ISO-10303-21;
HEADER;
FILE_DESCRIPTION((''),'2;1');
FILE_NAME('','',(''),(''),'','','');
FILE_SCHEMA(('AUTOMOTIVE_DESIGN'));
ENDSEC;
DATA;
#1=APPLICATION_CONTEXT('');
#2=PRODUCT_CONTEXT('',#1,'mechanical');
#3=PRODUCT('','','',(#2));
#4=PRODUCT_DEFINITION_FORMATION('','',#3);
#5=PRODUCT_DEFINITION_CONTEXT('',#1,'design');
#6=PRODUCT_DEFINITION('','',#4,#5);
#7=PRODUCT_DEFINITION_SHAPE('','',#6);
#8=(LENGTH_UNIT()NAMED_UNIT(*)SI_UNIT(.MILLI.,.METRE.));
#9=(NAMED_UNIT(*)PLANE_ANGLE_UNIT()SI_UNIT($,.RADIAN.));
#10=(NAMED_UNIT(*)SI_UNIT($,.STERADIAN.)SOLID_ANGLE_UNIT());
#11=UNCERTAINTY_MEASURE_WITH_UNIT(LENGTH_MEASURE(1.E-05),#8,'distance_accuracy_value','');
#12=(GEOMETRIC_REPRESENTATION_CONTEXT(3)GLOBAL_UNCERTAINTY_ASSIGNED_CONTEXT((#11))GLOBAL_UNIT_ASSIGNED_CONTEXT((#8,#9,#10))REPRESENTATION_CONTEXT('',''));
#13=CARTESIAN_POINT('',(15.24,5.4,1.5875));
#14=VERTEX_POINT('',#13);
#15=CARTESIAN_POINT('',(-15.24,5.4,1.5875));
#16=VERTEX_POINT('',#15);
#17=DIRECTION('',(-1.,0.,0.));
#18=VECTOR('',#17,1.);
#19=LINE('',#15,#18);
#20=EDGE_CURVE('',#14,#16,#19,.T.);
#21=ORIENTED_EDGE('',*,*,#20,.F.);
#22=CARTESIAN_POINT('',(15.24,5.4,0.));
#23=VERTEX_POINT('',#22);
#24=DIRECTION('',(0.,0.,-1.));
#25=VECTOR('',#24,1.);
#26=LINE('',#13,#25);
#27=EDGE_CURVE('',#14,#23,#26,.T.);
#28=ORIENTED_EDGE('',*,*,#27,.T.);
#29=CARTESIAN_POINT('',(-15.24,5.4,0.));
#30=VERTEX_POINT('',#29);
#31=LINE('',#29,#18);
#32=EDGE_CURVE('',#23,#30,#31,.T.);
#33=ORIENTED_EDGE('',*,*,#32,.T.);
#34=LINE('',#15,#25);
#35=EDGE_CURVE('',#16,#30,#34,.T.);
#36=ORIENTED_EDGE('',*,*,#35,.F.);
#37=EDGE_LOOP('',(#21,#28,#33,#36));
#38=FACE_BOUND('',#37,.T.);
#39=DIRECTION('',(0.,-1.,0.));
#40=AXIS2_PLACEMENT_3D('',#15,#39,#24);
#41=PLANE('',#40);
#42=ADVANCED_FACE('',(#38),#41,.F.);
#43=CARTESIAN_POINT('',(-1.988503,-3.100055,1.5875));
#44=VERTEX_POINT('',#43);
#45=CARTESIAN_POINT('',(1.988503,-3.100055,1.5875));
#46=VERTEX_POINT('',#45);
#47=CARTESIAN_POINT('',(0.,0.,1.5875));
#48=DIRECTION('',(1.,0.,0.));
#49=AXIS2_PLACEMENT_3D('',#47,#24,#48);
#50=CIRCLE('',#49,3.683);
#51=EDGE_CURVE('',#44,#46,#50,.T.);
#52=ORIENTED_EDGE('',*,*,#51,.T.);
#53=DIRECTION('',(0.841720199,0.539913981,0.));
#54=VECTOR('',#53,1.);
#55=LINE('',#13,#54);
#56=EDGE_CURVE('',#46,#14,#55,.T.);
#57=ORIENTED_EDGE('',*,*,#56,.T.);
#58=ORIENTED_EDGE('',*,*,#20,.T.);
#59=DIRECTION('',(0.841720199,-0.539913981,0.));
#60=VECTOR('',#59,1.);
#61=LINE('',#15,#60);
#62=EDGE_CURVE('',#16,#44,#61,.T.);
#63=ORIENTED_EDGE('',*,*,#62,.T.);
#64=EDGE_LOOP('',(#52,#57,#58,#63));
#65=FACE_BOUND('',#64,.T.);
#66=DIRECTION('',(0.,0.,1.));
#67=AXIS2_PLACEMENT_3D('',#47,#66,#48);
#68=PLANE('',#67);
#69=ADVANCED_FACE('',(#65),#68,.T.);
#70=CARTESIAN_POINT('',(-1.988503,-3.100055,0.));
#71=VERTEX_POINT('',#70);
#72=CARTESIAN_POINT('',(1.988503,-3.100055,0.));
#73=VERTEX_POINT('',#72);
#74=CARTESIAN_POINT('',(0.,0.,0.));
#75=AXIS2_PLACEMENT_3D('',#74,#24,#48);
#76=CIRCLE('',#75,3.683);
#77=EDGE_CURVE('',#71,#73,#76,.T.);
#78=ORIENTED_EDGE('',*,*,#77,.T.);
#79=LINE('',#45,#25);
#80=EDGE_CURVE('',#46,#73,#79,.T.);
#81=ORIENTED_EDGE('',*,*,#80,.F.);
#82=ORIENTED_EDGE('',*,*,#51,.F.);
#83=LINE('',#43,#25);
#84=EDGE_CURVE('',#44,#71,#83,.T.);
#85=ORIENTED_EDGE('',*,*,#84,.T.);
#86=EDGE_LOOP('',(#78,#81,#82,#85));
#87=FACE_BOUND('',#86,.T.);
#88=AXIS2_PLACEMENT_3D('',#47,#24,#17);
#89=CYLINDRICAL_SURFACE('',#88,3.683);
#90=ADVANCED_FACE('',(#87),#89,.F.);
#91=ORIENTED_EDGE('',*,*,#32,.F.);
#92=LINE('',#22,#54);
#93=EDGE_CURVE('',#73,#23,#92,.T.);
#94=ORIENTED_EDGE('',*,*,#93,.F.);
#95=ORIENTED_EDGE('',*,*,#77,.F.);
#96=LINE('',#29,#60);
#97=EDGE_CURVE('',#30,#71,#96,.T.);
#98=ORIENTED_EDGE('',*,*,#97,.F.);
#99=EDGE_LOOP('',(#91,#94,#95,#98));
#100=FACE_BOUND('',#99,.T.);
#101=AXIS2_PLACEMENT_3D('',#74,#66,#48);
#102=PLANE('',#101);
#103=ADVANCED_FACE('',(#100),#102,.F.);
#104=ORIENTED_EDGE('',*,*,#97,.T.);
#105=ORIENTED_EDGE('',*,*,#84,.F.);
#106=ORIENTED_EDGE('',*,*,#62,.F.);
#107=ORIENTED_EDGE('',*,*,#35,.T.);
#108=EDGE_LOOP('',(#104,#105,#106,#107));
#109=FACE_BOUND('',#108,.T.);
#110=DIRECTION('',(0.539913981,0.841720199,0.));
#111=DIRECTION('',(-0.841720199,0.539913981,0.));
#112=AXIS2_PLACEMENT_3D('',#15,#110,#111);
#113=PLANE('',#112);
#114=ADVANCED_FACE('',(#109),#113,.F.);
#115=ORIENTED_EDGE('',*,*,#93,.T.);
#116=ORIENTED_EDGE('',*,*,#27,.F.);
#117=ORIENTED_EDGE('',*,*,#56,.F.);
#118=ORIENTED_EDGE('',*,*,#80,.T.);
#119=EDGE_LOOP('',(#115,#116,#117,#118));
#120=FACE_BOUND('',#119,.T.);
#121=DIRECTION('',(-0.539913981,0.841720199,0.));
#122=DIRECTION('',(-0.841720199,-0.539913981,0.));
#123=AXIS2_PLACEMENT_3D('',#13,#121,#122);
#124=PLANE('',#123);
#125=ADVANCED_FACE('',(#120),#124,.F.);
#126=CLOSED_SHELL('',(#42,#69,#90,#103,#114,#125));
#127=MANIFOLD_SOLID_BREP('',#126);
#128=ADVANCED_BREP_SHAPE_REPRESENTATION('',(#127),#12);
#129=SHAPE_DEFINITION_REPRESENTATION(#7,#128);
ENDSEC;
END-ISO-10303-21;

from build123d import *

# Parameters (mm, degrees)
BOSS_EXTRUDE1_DEPTH = 1.5875


with BuildPart() as part:
    # Sketch1 → Boss-Extrude1 (new body)
    with BuildSketch(Plane.XY):
        with BuildLine():
            Line((-15.24, 5.4), (15.24, 5.4))
            Line((15.24, 5.4), (1.988503193, -3.100055492))
            ThreePointArc((1.988503193, -3.100055492), (0, 3.683), (-1.988503193, -3.100055492))
            Line((-1.988503193, -3.100055492), (-15.24, 5.4))
        make_face()
    extrude(amount=BOSS_EXTRUDE1_DEPTH)


solid = part.part
